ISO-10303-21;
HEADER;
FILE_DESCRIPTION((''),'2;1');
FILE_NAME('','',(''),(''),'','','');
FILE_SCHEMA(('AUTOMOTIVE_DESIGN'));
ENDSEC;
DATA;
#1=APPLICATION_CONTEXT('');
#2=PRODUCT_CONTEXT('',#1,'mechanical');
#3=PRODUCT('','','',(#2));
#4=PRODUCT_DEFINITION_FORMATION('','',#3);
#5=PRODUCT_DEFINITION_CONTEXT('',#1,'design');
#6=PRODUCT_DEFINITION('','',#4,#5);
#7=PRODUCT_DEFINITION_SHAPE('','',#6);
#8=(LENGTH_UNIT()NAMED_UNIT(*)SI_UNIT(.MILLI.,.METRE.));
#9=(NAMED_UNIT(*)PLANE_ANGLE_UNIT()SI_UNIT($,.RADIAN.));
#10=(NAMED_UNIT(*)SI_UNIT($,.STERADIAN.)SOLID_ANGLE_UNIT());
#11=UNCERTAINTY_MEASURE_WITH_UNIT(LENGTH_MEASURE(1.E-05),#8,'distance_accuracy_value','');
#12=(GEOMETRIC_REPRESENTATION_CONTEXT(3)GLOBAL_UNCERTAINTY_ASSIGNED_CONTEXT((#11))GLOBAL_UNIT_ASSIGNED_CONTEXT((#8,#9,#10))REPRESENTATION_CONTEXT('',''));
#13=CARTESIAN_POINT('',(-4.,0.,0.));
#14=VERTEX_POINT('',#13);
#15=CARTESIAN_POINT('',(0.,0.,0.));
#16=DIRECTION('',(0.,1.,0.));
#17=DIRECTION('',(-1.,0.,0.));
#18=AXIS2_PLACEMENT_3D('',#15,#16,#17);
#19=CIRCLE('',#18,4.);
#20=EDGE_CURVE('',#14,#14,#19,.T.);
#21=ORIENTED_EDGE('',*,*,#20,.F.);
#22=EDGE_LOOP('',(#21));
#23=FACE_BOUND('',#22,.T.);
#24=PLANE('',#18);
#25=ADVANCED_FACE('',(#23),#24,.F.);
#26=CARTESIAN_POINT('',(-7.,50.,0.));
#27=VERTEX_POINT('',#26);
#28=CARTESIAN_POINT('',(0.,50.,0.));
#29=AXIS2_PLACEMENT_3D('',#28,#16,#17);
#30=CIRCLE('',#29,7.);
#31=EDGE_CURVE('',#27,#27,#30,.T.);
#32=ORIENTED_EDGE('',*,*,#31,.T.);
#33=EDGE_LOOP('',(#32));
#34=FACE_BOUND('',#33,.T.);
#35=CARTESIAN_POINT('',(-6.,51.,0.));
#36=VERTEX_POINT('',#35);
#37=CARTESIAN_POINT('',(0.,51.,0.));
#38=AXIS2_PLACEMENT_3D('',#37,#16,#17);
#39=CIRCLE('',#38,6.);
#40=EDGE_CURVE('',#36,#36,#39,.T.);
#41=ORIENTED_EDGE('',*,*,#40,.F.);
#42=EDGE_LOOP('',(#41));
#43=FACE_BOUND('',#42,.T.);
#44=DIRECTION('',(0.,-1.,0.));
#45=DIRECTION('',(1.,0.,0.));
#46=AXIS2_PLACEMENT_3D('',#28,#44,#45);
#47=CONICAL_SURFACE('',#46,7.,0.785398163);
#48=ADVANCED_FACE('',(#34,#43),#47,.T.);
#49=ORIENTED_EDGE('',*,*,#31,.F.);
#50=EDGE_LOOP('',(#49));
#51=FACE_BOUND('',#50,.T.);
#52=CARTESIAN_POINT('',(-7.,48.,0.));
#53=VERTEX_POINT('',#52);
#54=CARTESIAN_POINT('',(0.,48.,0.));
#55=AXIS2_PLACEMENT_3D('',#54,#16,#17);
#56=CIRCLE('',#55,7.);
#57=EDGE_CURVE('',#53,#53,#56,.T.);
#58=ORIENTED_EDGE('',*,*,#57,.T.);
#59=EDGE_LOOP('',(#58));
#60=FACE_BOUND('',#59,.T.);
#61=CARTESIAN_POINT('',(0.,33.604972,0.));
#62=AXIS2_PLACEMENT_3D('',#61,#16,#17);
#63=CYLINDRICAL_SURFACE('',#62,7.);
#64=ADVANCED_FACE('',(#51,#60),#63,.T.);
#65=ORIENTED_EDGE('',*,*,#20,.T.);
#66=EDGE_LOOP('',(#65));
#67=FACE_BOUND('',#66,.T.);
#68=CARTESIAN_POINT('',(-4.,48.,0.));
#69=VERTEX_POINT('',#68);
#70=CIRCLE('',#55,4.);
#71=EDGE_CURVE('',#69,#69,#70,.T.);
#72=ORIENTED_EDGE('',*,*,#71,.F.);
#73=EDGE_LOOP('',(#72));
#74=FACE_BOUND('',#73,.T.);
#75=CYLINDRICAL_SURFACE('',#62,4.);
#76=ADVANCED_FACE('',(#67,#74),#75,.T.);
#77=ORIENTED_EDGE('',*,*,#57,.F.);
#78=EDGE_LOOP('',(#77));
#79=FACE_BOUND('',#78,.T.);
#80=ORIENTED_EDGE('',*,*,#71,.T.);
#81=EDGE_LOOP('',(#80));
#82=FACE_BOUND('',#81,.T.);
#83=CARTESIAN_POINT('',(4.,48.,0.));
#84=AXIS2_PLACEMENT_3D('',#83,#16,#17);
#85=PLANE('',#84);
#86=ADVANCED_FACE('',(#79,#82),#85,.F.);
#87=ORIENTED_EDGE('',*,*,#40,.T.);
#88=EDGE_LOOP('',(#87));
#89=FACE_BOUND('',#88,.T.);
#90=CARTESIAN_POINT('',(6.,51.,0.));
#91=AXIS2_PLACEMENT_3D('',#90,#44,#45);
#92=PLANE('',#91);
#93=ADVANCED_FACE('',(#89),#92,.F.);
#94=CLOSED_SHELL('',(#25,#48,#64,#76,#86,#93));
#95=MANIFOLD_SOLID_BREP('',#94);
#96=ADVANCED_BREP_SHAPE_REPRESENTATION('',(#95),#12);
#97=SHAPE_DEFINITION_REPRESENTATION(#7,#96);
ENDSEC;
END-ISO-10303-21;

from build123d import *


with BuildPart() as part:
    # Sketch1 → Revolve1 (revolve)
    with BuildSketch(Plane.XY, mode=Mode.PRIVATE) as revolve1_sk:
        Polygon((0, 0), (4, 0), (4, 48), (7, 48), (7, 50), (6, 51), (0, 51), align=None)
    revolve(revolve1_sk.sketch.rotate(Axis((0, 33.604972013, 0), (0, -1, 0)), 180), axis=Axis((0, 33.604972013, 0), (0, -1, 0)))


solid = part.part
